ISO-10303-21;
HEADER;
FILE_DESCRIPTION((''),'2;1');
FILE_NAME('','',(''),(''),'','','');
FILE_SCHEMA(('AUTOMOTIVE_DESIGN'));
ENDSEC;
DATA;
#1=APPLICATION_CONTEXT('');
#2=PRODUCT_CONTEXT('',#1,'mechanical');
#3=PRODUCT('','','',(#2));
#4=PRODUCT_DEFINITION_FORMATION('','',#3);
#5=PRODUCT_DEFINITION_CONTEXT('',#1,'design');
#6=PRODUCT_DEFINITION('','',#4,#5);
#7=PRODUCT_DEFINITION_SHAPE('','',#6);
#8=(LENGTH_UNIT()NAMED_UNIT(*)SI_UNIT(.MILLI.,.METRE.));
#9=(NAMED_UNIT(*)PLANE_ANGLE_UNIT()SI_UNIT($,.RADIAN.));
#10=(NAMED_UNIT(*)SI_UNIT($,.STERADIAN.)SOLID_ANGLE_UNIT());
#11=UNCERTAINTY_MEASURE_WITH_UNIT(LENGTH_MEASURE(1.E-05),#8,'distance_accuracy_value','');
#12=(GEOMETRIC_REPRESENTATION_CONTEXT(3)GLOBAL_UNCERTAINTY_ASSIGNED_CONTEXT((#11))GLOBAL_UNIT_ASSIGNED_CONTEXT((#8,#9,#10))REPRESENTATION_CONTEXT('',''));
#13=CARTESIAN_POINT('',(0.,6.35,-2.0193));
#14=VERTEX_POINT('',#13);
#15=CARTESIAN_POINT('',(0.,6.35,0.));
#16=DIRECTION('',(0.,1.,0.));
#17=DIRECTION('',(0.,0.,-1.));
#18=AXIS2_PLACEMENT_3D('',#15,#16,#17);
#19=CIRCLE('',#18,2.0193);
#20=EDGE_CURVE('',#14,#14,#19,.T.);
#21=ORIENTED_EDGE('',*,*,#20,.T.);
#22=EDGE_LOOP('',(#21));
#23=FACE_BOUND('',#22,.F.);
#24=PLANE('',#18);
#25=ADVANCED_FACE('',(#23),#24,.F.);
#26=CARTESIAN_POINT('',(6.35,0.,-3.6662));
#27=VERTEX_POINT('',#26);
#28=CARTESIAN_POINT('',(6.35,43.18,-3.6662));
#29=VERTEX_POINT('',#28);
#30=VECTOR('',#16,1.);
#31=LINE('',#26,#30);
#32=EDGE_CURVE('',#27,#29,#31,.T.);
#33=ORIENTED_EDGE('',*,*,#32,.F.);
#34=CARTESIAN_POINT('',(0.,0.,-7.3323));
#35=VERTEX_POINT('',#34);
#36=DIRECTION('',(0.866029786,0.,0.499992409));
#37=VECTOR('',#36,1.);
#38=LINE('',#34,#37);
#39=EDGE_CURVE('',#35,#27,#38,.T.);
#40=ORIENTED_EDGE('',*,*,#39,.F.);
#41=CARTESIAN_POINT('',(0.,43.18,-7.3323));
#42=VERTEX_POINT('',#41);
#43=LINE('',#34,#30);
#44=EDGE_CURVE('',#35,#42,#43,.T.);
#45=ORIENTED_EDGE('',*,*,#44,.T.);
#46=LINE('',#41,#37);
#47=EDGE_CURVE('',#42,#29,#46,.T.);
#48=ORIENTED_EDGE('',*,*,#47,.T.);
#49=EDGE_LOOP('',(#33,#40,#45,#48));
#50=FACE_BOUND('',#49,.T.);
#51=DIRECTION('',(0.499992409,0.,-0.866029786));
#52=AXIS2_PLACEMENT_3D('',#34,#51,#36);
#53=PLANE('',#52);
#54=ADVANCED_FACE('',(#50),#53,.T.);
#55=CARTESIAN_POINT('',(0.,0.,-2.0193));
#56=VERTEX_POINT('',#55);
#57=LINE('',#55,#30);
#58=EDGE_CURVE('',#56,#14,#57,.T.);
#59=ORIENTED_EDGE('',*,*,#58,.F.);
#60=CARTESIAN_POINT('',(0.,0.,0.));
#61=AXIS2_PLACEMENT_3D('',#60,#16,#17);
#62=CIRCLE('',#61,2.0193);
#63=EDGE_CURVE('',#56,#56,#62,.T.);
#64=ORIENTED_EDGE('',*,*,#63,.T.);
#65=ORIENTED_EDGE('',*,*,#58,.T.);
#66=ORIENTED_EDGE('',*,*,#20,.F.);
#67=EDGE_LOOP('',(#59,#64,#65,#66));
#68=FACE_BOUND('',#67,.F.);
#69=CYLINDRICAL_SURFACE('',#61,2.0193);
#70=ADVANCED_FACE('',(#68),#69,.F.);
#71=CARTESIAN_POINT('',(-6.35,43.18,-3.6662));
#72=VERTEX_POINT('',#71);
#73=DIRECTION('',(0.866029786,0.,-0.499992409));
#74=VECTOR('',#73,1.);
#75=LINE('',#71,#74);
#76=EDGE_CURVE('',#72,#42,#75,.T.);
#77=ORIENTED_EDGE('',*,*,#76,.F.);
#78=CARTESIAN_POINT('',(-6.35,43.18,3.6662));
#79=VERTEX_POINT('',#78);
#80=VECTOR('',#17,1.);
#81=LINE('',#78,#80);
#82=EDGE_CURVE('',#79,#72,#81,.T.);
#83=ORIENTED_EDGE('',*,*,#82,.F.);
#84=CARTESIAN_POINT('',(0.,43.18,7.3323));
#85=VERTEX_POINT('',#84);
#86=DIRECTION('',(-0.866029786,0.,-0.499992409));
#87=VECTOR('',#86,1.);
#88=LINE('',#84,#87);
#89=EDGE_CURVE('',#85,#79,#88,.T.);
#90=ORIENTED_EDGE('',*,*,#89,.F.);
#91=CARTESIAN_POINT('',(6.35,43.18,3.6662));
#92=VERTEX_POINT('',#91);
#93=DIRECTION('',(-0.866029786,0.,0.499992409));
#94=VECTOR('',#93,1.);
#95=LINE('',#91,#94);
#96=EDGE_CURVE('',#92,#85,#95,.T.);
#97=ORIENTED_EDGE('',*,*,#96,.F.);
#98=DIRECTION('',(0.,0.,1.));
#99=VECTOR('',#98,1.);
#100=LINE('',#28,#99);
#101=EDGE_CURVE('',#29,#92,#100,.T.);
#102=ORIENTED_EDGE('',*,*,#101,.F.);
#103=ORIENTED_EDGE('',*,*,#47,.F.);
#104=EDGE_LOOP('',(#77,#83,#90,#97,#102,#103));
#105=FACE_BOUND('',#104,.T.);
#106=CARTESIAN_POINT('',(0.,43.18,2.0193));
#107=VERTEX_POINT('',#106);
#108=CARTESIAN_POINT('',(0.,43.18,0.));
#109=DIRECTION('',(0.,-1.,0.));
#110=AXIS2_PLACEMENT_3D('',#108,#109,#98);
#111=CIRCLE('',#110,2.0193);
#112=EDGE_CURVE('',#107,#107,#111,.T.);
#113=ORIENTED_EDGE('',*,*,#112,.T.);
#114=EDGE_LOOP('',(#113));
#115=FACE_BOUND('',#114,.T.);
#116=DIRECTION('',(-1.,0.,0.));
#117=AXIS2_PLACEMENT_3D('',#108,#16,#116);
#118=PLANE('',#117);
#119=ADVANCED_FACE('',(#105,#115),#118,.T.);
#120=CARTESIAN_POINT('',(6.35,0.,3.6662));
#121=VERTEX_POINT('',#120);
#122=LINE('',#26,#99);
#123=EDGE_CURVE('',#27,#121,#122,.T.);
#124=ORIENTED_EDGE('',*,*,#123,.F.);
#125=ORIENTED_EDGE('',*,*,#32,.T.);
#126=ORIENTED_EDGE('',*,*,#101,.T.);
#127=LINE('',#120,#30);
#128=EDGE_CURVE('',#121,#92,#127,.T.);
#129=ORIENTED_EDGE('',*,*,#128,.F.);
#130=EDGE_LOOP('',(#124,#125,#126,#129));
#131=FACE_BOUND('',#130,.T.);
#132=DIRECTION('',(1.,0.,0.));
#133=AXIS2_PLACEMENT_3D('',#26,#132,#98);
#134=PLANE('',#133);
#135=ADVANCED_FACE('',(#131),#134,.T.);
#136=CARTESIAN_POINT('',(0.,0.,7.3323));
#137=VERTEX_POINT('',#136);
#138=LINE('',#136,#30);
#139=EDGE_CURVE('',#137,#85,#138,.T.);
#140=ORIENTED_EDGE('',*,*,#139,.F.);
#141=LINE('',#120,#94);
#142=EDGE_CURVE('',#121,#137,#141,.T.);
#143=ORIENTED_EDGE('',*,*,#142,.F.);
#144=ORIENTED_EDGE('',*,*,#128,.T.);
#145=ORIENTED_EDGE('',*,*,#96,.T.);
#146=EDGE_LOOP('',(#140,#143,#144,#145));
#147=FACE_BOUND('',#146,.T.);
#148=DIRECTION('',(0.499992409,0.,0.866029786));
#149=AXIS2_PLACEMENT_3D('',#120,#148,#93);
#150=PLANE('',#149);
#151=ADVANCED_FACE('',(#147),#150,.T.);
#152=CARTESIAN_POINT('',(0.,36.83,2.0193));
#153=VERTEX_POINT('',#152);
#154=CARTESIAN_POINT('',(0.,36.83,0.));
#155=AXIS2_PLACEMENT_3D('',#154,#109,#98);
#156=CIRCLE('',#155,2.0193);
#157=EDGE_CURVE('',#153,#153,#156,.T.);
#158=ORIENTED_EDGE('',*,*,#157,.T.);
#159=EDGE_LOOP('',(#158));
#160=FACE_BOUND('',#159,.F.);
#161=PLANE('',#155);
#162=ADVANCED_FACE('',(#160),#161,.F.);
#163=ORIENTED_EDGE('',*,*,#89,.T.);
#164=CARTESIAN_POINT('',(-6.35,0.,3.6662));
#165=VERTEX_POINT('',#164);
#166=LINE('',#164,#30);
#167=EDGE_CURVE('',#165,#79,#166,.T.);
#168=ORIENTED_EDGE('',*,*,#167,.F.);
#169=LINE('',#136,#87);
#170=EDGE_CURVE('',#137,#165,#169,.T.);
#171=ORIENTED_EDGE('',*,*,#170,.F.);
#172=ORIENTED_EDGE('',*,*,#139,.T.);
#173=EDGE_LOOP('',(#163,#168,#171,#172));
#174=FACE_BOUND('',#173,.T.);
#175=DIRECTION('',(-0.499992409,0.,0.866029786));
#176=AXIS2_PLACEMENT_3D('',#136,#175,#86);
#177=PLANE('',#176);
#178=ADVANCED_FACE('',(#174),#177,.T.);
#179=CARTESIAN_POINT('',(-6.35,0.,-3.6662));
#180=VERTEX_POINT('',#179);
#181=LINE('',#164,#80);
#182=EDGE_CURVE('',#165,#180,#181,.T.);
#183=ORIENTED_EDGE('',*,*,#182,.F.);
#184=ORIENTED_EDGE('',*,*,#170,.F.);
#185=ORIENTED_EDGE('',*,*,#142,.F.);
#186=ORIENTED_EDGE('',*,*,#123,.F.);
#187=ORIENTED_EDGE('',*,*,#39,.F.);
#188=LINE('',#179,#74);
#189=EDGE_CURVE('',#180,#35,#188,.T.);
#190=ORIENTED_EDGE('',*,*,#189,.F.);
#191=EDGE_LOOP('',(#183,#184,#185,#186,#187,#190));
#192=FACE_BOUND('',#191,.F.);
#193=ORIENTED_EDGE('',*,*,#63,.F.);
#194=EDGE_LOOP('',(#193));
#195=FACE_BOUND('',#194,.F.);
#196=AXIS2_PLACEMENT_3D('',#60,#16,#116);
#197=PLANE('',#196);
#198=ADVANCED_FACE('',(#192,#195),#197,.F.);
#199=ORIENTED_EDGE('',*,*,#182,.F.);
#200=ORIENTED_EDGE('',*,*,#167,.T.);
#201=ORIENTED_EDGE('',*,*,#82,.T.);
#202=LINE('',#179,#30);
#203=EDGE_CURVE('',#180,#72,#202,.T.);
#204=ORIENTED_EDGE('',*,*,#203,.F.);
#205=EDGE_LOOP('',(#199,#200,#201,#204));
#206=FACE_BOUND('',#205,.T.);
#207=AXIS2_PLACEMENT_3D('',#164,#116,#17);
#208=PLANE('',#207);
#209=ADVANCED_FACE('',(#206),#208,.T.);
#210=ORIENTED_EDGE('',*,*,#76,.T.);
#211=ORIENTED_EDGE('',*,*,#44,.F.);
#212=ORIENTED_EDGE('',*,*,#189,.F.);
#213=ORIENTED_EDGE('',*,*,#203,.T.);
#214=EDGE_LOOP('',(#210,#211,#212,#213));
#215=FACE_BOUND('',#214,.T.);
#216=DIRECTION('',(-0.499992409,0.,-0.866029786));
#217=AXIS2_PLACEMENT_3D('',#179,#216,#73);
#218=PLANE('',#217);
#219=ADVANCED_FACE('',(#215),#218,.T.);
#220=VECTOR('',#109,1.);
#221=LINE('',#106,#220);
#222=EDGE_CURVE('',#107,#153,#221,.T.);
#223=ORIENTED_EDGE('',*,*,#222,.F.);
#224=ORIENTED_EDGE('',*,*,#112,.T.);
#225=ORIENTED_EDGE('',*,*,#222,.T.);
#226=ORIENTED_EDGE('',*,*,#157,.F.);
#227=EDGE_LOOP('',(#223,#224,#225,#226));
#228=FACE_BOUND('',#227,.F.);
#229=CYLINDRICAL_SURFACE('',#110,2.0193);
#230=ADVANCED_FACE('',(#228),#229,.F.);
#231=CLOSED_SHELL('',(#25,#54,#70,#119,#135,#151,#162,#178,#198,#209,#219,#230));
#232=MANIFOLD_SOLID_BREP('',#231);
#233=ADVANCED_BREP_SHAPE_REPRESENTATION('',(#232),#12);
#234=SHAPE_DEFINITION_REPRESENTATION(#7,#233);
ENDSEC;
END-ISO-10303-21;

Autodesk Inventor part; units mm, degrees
ref_plane "YZ Plane" through (0, 0, 0) normal (1, 0, 0) x (0, 1, 0)
ref_plane "XZ Plane" through (0, 0, 0) normal (0, 1, 0) x (-1, 0, 0)
ref_plane "XY Plane" through (0, 0, 0) normal (0, 0, 1) x (1, 0, 0)
sketch "Sketch1" plane through (0, 0, 0) normal (0, 1, 0) x (-1, 0, 0)
  line L0 (0, -7.3323) -> (-6.35, -3.6662)
  line L1 (-6.35, -3.6662) -> (-6.35, 3.6662)
  line L2 (-6.35, 3.6662) -> (0, 7.3323)
  line L3 (0, 7.3323) -> (6.35, 3.6662)
  line L4 (6.35, 3.6662) -> (6.35, -3.6662)
  line L5 (6.35, -3.6662) -> (0, -7.3323)
  point P0 (0, 0)
  point P1 (0, 0)
  dimension "d0" = 12.7
extrude "Extrusion1" add sketch "Sketch1" along normal blind 43.18
sketch "Sketch2" plane through (0, 43.18, 0) normal (0, 1, 0) x (1, 0, 0)
  point P0 (0, 0)
  point P1 (0, 0)
hole "Hole1" at (0, 43.18, 0) direction (0, -1, 0) diameter 4.0386 depth 6.35
sketch "Sketch3" plane through (0, 0, 0) normal (0, -1, 0) x (1, 0, 0)
  point P0 (0, 0)
  point P1 (0, 0)
hole "Hole2" at (0, 0, 0) direction (0, 1, 0) diameter 4.0386 depth 6.35
thread "Thread1" size "10-32 UNF" class "2B" standard "ANSI Unified Screw Threads" full length
properties part number "Gearboxes_002_Hexshaft my fav" material "Aluminum 6061"
